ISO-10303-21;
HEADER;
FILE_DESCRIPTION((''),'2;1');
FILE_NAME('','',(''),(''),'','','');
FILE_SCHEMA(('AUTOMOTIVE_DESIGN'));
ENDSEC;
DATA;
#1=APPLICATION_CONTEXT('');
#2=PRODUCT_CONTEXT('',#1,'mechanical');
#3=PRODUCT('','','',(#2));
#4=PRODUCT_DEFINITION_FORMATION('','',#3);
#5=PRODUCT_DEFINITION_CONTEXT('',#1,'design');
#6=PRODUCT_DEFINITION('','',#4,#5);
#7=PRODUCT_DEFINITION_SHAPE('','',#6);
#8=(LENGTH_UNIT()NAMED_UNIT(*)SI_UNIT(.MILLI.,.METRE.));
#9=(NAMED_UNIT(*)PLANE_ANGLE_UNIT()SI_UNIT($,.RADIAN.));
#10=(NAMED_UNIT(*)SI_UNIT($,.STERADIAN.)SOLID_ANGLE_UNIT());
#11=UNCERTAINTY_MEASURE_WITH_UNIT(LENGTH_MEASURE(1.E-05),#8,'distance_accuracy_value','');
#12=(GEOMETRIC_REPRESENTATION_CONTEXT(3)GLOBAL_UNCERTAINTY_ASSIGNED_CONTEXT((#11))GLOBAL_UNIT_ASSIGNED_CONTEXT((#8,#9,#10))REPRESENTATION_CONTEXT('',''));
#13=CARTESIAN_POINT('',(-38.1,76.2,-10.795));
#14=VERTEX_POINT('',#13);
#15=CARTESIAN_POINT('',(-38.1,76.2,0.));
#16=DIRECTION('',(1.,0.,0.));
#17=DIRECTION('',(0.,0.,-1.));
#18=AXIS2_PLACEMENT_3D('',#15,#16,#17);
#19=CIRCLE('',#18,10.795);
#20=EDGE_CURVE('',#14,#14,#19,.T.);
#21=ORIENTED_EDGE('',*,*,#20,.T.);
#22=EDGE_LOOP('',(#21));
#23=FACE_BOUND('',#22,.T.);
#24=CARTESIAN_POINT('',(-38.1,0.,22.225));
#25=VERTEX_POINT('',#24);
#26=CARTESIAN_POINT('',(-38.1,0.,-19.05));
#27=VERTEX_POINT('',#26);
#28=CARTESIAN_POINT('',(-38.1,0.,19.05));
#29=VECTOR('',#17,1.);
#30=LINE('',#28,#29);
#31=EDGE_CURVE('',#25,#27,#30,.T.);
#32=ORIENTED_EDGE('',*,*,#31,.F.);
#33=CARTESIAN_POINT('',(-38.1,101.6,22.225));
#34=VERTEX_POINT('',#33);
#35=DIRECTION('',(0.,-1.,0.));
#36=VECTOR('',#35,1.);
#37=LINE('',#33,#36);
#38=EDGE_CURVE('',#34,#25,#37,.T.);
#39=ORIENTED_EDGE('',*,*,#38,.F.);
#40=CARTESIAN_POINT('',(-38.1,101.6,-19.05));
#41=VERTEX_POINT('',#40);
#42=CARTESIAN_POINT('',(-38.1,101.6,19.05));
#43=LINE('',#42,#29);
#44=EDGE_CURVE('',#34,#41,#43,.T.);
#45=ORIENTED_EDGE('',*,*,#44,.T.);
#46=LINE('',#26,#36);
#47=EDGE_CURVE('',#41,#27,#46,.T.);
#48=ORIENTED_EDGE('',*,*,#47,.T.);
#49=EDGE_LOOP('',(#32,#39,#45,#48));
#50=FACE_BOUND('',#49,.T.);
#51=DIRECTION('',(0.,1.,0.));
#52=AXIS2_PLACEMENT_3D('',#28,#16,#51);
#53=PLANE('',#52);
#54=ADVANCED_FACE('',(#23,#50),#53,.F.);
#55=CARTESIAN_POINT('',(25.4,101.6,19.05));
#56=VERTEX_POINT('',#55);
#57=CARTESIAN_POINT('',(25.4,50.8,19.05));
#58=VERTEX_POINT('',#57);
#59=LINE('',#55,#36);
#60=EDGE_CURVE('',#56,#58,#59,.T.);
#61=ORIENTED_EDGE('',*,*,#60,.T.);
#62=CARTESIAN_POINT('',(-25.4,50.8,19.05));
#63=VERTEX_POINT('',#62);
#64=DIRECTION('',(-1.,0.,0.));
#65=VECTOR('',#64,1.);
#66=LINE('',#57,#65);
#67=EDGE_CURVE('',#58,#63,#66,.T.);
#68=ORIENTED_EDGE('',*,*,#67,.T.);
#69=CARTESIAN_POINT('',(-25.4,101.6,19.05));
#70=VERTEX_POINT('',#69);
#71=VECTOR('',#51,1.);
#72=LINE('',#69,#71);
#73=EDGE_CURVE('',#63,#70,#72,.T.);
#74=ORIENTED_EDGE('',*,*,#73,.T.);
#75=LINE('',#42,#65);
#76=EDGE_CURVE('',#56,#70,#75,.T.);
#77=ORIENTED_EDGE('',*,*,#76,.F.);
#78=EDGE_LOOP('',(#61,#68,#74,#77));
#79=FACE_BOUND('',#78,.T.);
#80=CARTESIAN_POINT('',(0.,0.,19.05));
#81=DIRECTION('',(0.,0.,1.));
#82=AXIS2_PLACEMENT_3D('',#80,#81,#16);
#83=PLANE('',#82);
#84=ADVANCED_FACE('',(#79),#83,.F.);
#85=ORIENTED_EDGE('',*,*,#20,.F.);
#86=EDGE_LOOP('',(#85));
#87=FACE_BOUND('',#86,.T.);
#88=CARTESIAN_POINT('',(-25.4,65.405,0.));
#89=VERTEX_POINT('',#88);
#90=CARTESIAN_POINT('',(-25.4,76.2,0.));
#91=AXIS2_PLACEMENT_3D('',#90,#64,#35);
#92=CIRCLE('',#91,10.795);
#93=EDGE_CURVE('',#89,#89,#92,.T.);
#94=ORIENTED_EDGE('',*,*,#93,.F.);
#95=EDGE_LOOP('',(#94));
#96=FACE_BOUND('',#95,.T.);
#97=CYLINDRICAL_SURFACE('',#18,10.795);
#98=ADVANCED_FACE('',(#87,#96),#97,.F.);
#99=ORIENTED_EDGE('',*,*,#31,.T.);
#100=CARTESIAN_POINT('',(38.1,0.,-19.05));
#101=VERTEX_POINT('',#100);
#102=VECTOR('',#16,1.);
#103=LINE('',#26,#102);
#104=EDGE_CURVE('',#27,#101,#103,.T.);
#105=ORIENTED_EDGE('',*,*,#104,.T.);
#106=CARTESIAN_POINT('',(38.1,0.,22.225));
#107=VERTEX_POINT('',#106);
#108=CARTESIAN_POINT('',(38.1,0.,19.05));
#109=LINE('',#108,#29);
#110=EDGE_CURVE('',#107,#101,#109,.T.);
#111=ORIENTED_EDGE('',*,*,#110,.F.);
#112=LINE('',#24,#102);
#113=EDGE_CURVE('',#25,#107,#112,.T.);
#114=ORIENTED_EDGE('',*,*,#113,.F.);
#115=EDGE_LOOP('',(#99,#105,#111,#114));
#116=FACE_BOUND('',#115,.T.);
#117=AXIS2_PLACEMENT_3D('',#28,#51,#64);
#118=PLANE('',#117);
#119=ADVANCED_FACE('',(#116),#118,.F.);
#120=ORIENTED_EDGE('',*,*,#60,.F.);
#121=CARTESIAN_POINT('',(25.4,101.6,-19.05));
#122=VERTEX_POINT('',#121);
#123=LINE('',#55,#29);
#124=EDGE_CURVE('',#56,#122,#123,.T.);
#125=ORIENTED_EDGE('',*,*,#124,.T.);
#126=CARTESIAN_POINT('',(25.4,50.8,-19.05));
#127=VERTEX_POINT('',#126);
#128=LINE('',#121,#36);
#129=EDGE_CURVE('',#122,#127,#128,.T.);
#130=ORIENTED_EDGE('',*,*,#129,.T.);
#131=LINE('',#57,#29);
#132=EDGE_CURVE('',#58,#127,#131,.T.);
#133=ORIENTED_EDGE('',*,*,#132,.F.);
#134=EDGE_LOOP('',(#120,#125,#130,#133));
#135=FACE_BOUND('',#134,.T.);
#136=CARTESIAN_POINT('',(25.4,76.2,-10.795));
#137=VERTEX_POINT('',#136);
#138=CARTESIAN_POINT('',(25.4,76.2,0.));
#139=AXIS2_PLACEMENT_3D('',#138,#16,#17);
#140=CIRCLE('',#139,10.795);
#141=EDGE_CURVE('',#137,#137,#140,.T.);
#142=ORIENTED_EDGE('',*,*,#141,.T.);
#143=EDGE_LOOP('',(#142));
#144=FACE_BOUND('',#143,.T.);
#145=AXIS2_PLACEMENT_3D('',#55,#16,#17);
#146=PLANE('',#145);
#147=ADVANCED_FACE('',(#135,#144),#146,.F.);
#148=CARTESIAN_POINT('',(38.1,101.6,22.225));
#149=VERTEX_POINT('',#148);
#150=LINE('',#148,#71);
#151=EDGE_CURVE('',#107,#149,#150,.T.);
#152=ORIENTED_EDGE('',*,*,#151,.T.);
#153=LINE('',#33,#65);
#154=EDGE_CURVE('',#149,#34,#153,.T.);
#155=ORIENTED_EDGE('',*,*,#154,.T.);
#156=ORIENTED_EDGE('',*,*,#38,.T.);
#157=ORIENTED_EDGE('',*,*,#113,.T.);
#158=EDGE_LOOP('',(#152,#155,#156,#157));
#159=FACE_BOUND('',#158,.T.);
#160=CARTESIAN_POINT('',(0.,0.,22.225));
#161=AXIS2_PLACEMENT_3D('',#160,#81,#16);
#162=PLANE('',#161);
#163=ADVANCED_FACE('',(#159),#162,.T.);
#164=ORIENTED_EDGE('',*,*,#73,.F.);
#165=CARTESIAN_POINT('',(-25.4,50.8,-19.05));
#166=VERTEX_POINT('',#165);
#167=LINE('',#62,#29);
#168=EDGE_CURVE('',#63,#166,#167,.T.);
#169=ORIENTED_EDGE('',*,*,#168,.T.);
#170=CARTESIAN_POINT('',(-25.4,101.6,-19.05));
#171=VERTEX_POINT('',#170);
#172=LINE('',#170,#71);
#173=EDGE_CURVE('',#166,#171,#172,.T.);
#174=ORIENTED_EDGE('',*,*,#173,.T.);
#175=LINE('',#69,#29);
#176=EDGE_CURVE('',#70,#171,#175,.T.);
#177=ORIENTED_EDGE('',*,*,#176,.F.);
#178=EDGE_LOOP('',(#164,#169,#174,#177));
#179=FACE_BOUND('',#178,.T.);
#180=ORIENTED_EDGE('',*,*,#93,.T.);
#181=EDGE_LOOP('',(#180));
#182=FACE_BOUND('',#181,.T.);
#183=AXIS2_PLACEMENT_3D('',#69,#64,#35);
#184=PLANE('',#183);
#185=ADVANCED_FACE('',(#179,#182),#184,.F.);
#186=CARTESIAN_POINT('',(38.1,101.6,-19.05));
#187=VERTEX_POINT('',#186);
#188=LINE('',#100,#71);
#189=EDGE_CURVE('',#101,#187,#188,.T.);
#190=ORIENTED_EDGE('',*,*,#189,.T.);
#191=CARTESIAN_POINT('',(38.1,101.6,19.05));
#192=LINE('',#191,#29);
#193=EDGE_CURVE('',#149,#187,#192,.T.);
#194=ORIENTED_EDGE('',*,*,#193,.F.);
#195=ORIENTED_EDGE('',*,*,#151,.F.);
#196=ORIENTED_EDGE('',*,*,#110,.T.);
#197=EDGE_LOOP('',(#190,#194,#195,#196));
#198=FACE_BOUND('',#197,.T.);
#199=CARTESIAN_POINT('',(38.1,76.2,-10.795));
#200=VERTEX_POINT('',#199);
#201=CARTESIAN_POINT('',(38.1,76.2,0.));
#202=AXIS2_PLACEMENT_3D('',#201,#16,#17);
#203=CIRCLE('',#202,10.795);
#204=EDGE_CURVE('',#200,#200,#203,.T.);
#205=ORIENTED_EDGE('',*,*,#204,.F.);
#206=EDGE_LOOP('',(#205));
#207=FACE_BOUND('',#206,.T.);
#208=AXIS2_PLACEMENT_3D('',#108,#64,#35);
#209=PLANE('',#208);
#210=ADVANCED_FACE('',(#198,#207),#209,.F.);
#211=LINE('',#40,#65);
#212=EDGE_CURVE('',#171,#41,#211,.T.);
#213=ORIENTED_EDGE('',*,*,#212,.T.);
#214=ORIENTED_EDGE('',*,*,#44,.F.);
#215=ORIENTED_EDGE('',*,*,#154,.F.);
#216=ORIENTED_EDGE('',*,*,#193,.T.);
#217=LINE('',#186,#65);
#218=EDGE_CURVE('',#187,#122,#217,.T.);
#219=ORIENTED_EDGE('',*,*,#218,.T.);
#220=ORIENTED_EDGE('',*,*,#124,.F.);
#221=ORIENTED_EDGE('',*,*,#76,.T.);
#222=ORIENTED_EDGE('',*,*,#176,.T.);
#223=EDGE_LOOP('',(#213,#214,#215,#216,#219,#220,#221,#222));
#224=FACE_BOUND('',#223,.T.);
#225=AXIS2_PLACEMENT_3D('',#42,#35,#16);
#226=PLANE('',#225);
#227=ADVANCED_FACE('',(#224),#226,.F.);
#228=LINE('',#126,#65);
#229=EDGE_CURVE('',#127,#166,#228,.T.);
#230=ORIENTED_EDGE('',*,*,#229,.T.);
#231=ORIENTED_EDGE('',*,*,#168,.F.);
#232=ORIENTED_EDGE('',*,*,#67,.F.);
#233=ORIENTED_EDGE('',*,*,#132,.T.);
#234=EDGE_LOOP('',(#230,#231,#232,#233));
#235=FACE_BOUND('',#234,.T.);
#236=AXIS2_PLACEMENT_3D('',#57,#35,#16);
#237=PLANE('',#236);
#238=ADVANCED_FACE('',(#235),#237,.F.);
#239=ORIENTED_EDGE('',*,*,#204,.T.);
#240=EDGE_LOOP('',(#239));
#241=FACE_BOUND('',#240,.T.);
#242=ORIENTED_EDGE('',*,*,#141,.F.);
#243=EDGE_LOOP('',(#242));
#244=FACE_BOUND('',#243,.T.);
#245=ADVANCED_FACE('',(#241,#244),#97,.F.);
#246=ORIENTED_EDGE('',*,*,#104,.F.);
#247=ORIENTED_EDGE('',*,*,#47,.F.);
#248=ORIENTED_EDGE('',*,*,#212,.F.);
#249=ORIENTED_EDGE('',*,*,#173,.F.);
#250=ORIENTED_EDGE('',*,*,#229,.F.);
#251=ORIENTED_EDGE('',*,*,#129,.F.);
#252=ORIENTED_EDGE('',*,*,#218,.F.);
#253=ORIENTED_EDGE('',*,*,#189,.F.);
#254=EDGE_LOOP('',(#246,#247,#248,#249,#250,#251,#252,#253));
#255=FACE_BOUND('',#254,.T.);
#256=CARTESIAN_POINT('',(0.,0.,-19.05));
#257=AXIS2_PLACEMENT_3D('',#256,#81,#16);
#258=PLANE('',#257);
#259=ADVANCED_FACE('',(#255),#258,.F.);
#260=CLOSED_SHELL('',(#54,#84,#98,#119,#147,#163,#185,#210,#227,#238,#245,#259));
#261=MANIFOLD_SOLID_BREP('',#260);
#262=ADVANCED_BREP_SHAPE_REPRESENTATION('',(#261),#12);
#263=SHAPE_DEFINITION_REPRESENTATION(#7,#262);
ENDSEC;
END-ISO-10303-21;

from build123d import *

# Parameters (mm, degrees)
BOSS_EXTRUDE1_DEPTH     = 19.05
CUT_EXTRUDE1_DEPTH      = 111.168382488
CUT_EXTRUDE1_DEPTH_BACK = 111.168382488
SKETCH2_R               = 10.795
SKETCH3_W               = 76.2
SKETCH3_H               = 101.6
BOSS_EXTRUDE2_DEPTH     = 3.175


with BuildPart() as part:
    # Sketch1 → Boss-Extrude1 (new, symmetric)
    with BuildSketch(Plane.XY):
        Polygon((-38.1, 0), (38.1, 0), (38.1, 101.6), (25.4, 101.6), (25.4, 50.8), (-25.4, 50.8), (-25.4, 101.6), (-38.1, 101.6), align=None)
    extrude(amount=BOSS_EXTRUDE1_DEPTH, both=True)

    # Sketch2 → Cut-Extrude1 (cut, two sides: drawn at the far end of the back side and taken through both)
    with BuildSketch(Plane(origin=(0, 0, 0), x_dir=(0, 0, -1), z_dir=(1, 0, 0)).offset(-CUT_EXTRUDE1_DEPTH_BACK)):
        with Locations((0, 76.2)):
            Circle(SKETCH2_R)
    extrude(amount=CUT_EXTRUDE1_DEPTH + CUT_EXTRUDE1_DEPTH_BACK, mode=Mode.SUBTRACT)

    # Sketch3 → Boss-Extrude2 (add)
    with BuildSketch(Plane.XY.offset(19.05)):
        with Locations((0, 50.8)):
            Rectangle(SKETCH3_W, SKETCH3_H)
    extrude(amount=BOSS_EXTRUDE2_DEPTH)


solid = part.part
